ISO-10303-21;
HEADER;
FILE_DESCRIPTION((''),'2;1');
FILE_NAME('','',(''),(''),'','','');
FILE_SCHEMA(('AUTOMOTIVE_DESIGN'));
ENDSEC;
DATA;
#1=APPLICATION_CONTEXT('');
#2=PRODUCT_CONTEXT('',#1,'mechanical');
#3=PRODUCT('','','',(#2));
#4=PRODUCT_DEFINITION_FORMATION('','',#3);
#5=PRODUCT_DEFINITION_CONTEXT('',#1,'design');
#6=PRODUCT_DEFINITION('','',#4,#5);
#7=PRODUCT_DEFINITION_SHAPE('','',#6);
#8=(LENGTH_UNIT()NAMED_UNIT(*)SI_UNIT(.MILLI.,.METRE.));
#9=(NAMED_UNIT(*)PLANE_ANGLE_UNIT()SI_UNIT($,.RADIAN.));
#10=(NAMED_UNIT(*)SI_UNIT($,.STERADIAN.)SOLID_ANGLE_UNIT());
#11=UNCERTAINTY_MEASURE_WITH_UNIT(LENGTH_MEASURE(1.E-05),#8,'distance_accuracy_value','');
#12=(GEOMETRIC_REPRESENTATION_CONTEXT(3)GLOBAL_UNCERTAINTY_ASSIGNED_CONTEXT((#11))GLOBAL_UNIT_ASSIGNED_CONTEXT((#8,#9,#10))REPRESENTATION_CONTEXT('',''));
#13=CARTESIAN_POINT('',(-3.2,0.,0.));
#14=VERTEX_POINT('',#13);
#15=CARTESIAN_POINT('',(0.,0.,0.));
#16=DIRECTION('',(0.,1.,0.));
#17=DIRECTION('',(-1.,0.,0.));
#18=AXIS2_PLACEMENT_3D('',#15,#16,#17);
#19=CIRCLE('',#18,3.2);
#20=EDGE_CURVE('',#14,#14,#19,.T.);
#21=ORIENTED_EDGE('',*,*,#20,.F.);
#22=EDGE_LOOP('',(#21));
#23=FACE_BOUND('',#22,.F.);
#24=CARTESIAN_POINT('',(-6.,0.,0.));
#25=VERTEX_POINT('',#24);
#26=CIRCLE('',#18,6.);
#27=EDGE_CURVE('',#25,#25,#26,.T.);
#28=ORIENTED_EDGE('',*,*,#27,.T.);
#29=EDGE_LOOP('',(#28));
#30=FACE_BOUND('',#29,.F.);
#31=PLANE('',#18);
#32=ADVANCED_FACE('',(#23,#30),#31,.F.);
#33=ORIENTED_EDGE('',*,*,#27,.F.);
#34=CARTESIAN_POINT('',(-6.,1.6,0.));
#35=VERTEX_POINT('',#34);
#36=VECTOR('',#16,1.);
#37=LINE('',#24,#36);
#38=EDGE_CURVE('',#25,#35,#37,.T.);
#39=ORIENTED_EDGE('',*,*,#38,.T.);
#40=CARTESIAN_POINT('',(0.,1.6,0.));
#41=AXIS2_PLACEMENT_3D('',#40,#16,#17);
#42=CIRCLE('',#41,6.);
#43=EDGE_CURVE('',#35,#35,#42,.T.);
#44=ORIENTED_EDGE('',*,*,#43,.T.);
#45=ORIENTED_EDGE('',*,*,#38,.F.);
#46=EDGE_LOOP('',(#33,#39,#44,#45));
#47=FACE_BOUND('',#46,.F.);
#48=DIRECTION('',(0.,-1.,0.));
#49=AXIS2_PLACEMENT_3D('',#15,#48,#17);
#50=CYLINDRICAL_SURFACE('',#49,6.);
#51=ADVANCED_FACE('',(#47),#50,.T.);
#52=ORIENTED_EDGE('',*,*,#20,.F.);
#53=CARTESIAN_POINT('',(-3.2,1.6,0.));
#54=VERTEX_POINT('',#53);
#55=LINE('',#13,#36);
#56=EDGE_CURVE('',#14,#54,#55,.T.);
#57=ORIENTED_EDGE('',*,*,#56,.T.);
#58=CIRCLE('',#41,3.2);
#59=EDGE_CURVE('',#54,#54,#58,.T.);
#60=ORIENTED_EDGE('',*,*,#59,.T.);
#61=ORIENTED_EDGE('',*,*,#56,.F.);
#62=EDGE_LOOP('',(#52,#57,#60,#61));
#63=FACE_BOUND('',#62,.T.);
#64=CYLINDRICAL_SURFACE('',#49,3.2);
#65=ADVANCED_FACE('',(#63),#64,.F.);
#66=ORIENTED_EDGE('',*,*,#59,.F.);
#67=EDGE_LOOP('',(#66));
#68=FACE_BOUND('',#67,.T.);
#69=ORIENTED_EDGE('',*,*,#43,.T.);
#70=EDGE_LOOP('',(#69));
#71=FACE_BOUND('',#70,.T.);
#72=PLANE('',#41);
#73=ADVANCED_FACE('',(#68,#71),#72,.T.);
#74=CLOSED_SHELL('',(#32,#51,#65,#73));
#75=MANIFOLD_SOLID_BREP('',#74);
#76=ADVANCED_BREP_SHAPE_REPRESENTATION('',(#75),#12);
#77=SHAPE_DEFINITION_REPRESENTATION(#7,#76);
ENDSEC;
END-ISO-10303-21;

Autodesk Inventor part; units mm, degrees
ref_plane "YZ Plane" through (0, 0, 0) normal (1, 0, 0) x (0, 1, 0)
ref_plane "XZ Plane" through (0, 0, 0) normal (0, 1, 0) x (-1, 0, 0)
ref_plane "XY Plane" through (0, 0, 0) normal (0, 0, 1) x (1, 0, 0)
sketch "Schizzo1" plane through (0, 0, 0) normal (0, 1, 0) x (-1, 0, 0)
  circle A0 centre (0, 0) radius 3.2
  circle A1 centre (0, 0) radius 6
  dimension "d0" = 6.4
  dimension "d1" = 12
extrude "Estrusione1" add sketch "Schizzo1" along normal blind 1.6
properties part number "28_Rondella_M6" material "Acciaio, Dolce"
